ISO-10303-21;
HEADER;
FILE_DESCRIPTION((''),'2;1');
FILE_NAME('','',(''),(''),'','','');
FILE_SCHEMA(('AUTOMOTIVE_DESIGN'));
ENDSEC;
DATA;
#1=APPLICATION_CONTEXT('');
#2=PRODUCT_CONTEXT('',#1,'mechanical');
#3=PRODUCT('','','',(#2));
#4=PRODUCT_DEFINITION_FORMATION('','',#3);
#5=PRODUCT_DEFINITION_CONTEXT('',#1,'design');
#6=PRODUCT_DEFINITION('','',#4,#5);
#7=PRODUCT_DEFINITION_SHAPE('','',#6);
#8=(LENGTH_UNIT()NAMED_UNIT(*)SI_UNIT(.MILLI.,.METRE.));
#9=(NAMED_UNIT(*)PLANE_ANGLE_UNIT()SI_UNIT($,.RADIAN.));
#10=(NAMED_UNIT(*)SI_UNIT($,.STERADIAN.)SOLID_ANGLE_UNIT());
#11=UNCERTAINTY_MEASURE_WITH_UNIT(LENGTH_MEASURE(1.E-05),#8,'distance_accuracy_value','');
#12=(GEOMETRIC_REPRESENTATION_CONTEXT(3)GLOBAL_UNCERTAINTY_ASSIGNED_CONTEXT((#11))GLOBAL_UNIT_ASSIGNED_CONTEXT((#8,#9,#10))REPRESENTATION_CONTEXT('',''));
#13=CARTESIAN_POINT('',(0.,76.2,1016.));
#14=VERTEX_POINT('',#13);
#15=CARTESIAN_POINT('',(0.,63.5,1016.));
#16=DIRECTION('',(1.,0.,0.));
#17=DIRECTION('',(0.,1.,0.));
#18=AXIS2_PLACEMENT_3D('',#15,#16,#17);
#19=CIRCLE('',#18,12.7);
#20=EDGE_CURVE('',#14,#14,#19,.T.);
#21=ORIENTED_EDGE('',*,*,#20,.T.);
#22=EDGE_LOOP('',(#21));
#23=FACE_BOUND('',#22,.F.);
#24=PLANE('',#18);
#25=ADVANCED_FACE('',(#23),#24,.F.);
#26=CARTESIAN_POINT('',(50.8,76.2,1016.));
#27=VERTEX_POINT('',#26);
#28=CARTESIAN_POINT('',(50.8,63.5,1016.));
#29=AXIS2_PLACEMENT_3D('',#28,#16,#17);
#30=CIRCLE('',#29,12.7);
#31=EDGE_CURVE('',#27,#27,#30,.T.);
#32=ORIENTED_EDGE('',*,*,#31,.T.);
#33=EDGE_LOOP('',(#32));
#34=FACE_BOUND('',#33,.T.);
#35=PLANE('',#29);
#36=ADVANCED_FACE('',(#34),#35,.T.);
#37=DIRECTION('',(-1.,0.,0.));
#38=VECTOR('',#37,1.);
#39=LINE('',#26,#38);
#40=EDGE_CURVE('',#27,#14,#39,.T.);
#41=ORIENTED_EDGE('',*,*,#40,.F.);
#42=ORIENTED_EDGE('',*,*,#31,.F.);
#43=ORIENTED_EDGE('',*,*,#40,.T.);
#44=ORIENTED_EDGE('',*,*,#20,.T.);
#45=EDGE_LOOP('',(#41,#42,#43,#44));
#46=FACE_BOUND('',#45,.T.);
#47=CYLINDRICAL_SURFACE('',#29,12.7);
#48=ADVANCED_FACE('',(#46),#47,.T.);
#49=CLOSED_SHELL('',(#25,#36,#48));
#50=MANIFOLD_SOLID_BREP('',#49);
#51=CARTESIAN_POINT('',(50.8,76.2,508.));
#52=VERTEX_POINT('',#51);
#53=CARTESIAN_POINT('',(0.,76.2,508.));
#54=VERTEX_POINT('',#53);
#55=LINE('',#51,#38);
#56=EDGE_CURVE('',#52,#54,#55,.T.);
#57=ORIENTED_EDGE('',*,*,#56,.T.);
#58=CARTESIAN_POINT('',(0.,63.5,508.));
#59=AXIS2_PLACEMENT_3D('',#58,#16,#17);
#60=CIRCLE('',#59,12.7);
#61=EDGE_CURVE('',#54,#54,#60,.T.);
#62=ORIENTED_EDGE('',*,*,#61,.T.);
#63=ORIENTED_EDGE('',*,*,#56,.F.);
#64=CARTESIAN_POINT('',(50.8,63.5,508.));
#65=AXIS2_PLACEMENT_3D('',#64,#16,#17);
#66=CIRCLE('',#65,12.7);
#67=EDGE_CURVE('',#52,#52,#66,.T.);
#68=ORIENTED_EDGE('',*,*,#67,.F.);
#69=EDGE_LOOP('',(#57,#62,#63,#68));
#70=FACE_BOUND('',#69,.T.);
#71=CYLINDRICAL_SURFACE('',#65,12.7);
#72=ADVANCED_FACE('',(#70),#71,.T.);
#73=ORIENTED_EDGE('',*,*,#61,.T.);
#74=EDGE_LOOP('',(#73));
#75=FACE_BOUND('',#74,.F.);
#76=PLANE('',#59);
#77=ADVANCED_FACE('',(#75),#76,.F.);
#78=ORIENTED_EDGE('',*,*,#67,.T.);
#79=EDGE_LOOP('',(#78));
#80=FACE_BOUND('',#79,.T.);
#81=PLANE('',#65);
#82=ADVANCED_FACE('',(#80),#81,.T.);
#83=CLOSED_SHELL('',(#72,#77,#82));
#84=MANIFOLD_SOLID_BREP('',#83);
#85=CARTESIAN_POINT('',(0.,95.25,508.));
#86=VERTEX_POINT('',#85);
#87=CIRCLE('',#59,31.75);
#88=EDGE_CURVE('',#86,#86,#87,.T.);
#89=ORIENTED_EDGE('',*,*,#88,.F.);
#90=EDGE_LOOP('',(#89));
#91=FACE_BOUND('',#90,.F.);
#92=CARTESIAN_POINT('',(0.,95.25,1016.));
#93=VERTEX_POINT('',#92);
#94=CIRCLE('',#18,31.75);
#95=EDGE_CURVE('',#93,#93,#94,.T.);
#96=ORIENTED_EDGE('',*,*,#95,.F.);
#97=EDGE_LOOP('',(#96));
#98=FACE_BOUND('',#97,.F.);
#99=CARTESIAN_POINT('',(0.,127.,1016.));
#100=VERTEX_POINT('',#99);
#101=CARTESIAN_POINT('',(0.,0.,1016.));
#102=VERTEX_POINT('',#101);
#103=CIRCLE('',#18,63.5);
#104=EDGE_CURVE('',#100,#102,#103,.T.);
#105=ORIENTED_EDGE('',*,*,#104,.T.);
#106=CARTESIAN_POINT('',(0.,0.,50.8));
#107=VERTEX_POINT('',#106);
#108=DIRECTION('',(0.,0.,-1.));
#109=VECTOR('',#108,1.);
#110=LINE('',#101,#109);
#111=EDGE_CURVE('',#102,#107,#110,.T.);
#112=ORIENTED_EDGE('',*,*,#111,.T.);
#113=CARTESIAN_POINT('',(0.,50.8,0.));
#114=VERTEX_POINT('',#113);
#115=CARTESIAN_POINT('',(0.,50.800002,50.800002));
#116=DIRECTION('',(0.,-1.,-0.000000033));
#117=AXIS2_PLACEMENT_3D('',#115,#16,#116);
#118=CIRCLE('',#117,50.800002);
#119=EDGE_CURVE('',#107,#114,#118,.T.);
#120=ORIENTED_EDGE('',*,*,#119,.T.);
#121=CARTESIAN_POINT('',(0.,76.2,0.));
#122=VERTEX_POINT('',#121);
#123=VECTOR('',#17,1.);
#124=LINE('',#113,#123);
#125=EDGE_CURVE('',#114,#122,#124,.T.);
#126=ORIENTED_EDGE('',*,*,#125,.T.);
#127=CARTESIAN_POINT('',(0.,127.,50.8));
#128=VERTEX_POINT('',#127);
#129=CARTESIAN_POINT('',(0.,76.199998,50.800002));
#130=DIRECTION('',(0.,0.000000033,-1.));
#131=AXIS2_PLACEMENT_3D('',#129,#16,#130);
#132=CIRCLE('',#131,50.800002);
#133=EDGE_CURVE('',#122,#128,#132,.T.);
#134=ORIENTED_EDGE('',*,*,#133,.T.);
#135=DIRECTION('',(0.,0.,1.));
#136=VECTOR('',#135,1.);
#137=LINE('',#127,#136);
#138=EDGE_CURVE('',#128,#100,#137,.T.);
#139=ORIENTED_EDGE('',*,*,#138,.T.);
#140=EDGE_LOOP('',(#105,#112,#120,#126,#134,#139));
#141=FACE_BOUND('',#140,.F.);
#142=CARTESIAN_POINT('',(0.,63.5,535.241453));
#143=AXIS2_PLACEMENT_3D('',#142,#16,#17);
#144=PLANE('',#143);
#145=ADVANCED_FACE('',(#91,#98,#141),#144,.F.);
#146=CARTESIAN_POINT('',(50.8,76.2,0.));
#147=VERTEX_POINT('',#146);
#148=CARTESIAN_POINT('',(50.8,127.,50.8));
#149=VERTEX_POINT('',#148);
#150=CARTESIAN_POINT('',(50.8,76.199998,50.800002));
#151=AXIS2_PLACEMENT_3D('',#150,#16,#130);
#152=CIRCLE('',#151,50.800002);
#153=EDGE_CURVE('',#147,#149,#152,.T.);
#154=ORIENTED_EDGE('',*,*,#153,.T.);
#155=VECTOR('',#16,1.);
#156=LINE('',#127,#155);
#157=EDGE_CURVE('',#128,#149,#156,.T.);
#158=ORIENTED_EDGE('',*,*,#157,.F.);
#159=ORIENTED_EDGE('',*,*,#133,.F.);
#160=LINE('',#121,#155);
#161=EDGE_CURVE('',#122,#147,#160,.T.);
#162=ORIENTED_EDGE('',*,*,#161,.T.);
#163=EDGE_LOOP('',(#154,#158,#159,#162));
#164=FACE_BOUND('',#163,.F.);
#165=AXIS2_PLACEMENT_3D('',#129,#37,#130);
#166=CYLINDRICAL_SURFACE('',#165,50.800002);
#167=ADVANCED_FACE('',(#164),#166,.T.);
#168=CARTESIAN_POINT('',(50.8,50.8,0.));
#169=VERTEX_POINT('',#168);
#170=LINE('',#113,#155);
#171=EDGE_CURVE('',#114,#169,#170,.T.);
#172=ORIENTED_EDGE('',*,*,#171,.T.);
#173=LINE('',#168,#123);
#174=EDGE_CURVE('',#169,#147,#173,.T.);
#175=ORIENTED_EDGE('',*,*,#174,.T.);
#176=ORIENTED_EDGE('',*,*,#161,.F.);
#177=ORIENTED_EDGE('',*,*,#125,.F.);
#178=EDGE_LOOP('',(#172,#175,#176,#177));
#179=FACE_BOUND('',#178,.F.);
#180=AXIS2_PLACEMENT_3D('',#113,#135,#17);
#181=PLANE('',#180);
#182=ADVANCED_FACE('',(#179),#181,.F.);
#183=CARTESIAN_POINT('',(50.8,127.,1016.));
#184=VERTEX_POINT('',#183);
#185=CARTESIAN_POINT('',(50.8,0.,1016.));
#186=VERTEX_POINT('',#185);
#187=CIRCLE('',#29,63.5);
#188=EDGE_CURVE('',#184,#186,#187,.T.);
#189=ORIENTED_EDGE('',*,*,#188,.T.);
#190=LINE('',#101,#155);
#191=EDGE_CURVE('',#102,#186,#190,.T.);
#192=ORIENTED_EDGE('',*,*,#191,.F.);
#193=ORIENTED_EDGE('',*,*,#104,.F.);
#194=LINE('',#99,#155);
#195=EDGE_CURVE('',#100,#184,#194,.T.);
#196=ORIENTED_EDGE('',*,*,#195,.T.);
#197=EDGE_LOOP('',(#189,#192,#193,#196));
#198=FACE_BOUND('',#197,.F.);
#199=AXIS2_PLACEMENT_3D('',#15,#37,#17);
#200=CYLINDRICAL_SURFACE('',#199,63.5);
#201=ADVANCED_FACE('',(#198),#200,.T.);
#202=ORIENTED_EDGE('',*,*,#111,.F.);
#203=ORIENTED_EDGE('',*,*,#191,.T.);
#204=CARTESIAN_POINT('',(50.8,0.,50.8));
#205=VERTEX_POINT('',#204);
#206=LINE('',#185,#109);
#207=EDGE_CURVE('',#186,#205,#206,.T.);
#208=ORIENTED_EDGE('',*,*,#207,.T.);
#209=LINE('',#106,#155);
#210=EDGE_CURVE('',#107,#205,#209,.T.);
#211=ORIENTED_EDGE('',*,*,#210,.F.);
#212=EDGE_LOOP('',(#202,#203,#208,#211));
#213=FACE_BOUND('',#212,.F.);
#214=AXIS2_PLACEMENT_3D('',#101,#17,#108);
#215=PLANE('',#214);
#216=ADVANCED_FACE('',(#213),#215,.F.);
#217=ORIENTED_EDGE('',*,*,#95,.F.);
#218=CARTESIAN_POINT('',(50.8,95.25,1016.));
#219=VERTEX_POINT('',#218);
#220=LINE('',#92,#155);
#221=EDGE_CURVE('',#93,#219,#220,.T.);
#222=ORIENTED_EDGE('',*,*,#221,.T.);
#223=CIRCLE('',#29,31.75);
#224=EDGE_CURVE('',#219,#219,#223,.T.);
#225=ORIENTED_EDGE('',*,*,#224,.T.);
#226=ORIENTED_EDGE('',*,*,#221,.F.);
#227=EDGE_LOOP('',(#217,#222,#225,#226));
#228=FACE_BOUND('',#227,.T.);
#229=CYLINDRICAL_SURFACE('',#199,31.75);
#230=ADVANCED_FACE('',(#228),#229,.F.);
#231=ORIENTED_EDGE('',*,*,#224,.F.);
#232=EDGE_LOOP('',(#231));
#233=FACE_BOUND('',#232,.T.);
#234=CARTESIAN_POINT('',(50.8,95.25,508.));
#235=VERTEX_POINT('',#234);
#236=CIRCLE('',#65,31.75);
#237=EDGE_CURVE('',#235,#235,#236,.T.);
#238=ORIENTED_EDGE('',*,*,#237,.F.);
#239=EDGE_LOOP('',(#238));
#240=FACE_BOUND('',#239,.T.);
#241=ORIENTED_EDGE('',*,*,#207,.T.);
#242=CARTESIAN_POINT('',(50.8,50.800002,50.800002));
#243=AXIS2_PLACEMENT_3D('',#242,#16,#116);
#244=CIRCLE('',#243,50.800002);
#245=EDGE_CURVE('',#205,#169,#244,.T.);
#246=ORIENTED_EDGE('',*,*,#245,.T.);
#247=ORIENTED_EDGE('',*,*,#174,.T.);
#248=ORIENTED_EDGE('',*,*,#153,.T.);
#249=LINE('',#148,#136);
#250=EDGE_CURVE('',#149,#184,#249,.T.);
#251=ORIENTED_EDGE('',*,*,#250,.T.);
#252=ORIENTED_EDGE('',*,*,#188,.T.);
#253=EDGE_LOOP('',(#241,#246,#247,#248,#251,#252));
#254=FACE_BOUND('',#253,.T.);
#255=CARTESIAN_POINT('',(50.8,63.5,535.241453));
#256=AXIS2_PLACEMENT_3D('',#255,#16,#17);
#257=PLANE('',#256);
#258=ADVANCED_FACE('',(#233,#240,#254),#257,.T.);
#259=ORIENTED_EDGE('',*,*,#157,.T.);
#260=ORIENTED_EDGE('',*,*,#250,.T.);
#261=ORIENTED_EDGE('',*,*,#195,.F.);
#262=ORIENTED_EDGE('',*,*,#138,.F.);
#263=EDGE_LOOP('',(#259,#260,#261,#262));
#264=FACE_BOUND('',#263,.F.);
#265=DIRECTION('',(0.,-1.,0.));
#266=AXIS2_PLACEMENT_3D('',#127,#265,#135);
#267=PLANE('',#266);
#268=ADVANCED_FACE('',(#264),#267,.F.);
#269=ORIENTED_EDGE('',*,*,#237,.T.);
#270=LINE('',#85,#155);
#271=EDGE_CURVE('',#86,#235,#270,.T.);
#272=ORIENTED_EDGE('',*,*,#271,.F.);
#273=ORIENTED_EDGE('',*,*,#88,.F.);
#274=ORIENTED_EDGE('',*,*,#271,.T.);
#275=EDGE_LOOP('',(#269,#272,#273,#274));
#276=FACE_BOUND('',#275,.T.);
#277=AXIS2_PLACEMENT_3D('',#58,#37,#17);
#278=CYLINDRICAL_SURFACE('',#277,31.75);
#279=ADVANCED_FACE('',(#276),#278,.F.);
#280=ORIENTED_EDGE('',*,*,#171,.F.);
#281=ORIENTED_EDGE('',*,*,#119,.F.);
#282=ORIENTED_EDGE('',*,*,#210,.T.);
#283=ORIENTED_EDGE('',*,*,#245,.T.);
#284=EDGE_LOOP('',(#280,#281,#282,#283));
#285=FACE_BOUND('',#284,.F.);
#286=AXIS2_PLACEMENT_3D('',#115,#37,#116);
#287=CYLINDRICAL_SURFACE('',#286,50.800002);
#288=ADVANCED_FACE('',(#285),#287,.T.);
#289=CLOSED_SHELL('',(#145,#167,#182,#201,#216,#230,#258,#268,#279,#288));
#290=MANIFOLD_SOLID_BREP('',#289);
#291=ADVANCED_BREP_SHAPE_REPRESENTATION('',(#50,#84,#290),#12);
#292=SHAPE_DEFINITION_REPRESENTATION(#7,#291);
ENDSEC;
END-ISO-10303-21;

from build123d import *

# Parameters (mm, degrees)
F0_R     = 31.75
F1_DEPTH = 50.8
F2_R     = 12.7
F3_DEPTH = 50.8


with BuildPart() as f1:
    # F0 (on Right) → F1 (new body)
    with BuildSketch(Plane.YZ):
        with BuildLine():
            ThreePointArc((0, 50.8), (14.878976, 14.878976), (50.8, 0))
            Line((50.8, 0), (76.2, 0))
            ThreePointArc((76.2, 0), (112.121024, 14.878976), (127, 50.8))
            Line((127, 50.8), (127, 1016))
            ThreePointArc((127, 1016), (63.5, 1079.5), (0, 1016))
            Line((0, 1016), (0, 50.8))
        make_face()
        with Locations((63.5, 508)):
            Circle(F0_R, mode=Mode.SUBTRACT)
        with Locations((63.5, 1016)):
            Circle(F0_R, mode=Mode.SUBTRACT)
    extrude(amount=F1_DEPTH)


with BuildPart() as f3:
    # F2 (on face) → F3 (new body)
    with BuildSketch(Plane.YZ.offset(50.8)):
        with Locations((63.5, 1016)):
            Circle(F2_R)
        with Locations((63.5, 508)):
            Circle(F2_R)
    extrude(amount=-F3_DEPTH)


solid = Compound([f1.part, f3.part])
